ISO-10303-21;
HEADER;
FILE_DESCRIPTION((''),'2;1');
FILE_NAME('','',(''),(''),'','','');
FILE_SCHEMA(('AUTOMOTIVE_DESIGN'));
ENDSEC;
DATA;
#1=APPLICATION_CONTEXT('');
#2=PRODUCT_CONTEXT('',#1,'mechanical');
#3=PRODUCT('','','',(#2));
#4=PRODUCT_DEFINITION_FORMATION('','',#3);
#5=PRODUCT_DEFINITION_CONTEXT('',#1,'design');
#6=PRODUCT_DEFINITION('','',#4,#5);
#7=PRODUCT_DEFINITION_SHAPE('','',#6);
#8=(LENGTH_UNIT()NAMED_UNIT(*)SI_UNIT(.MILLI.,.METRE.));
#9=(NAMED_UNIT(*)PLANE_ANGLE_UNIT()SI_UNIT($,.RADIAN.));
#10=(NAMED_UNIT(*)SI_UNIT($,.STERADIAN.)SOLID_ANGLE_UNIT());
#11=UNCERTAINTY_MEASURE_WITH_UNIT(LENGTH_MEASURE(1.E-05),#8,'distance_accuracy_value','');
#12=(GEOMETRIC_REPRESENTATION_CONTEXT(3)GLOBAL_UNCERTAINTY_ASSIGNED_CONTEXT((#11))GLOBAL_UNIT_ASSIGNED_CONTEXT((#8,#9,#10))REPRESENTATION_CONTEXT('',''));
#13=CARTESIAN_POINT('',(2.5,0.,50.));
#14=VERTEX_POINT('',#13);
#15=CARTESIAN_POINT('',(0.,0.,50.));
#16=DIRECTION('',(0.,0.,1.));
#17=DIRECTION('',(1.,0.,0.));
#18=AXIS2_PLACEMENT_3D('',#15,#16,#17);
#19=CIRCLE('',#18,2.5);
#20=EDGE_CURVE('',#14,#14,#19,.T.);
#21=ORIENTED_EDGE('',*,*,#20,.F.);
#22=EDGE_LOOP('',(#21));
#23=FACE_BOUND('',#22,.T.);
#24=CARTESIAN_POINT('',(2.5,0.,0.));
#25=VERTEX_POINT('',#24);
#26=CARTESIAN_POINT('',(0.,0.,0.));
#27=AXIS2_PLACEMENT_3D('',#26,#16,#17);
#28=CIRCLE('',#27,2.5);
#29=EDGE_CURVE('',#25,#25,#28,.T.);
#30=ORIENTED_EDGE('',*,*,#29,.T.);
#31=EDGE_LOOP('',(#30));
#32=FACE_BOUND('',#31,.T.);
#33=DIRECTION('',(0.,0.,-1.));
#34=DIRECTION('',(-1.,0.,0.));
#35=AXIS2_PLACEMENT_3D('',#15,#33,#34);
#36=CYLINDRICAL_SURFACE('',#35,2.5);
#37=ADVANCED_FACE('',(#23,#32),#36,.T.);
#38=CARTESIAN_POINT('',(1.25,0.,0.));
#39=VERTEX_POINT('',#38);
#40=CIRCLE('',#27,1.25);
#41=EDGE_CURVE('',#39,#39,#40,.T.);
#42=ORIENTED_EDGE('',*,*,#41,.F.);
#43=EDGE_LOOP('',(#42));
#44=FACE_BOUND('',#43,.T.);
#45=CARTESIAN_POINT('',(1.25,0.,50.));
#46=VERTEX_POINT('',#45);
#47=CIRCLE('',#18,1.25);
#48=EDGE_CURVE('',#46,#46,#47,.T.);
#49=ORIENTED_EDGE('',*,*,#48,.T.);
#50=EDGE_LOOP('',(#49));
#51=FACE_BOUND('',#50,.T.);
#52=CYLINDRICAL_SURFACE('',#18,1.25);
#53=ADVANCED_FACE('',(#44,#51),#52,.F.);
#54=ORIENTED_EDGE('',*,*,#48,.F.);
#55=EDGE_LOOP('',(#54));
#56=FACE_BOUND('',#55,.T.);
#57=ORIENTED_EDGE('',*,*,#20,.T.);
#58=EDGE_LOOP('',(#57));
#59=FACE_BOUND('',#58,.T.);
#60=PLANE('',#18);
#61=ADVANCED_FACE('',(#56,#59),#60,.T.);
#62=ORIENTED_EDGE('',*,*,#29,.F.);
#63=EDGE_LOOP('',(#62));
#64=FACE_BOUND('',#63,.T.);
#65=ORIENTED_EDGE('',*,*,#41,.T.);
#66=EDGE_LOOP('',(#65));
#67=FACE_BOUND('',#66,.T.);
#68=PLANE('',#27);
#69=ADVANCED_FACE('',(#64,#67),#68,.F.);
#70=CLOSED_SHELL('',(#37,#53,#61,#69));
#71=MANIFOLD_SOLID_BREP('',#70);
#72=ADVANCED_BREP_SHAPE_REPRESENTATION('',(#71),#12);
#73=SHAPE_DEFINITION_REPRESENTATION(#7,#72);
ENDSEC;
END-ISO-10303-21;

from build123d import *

# Parameters (mm, degrees)
SKETCH_1_R         = 2.5
EXTRUDE_1_DEPTH    = 50
HOLE_WIZARD_M3_1_D = 2.5


with BuildPart() as part:
    # 草图1 → 凸台-拉伸1 (new body)
    with BuildSketch(Plane.XY):
        Circle(SKETCH_1_R)
    extrude(amount=EXTRUDE_1_DEPTH)

    # M3 螺纹孔1 (through all)
    with Locations(Plane.XY.offset(50)):
        with Locations((0, 0)):
            Hole(HOLE_WIZARD_M3_1_D / 2)


solid = part.part
